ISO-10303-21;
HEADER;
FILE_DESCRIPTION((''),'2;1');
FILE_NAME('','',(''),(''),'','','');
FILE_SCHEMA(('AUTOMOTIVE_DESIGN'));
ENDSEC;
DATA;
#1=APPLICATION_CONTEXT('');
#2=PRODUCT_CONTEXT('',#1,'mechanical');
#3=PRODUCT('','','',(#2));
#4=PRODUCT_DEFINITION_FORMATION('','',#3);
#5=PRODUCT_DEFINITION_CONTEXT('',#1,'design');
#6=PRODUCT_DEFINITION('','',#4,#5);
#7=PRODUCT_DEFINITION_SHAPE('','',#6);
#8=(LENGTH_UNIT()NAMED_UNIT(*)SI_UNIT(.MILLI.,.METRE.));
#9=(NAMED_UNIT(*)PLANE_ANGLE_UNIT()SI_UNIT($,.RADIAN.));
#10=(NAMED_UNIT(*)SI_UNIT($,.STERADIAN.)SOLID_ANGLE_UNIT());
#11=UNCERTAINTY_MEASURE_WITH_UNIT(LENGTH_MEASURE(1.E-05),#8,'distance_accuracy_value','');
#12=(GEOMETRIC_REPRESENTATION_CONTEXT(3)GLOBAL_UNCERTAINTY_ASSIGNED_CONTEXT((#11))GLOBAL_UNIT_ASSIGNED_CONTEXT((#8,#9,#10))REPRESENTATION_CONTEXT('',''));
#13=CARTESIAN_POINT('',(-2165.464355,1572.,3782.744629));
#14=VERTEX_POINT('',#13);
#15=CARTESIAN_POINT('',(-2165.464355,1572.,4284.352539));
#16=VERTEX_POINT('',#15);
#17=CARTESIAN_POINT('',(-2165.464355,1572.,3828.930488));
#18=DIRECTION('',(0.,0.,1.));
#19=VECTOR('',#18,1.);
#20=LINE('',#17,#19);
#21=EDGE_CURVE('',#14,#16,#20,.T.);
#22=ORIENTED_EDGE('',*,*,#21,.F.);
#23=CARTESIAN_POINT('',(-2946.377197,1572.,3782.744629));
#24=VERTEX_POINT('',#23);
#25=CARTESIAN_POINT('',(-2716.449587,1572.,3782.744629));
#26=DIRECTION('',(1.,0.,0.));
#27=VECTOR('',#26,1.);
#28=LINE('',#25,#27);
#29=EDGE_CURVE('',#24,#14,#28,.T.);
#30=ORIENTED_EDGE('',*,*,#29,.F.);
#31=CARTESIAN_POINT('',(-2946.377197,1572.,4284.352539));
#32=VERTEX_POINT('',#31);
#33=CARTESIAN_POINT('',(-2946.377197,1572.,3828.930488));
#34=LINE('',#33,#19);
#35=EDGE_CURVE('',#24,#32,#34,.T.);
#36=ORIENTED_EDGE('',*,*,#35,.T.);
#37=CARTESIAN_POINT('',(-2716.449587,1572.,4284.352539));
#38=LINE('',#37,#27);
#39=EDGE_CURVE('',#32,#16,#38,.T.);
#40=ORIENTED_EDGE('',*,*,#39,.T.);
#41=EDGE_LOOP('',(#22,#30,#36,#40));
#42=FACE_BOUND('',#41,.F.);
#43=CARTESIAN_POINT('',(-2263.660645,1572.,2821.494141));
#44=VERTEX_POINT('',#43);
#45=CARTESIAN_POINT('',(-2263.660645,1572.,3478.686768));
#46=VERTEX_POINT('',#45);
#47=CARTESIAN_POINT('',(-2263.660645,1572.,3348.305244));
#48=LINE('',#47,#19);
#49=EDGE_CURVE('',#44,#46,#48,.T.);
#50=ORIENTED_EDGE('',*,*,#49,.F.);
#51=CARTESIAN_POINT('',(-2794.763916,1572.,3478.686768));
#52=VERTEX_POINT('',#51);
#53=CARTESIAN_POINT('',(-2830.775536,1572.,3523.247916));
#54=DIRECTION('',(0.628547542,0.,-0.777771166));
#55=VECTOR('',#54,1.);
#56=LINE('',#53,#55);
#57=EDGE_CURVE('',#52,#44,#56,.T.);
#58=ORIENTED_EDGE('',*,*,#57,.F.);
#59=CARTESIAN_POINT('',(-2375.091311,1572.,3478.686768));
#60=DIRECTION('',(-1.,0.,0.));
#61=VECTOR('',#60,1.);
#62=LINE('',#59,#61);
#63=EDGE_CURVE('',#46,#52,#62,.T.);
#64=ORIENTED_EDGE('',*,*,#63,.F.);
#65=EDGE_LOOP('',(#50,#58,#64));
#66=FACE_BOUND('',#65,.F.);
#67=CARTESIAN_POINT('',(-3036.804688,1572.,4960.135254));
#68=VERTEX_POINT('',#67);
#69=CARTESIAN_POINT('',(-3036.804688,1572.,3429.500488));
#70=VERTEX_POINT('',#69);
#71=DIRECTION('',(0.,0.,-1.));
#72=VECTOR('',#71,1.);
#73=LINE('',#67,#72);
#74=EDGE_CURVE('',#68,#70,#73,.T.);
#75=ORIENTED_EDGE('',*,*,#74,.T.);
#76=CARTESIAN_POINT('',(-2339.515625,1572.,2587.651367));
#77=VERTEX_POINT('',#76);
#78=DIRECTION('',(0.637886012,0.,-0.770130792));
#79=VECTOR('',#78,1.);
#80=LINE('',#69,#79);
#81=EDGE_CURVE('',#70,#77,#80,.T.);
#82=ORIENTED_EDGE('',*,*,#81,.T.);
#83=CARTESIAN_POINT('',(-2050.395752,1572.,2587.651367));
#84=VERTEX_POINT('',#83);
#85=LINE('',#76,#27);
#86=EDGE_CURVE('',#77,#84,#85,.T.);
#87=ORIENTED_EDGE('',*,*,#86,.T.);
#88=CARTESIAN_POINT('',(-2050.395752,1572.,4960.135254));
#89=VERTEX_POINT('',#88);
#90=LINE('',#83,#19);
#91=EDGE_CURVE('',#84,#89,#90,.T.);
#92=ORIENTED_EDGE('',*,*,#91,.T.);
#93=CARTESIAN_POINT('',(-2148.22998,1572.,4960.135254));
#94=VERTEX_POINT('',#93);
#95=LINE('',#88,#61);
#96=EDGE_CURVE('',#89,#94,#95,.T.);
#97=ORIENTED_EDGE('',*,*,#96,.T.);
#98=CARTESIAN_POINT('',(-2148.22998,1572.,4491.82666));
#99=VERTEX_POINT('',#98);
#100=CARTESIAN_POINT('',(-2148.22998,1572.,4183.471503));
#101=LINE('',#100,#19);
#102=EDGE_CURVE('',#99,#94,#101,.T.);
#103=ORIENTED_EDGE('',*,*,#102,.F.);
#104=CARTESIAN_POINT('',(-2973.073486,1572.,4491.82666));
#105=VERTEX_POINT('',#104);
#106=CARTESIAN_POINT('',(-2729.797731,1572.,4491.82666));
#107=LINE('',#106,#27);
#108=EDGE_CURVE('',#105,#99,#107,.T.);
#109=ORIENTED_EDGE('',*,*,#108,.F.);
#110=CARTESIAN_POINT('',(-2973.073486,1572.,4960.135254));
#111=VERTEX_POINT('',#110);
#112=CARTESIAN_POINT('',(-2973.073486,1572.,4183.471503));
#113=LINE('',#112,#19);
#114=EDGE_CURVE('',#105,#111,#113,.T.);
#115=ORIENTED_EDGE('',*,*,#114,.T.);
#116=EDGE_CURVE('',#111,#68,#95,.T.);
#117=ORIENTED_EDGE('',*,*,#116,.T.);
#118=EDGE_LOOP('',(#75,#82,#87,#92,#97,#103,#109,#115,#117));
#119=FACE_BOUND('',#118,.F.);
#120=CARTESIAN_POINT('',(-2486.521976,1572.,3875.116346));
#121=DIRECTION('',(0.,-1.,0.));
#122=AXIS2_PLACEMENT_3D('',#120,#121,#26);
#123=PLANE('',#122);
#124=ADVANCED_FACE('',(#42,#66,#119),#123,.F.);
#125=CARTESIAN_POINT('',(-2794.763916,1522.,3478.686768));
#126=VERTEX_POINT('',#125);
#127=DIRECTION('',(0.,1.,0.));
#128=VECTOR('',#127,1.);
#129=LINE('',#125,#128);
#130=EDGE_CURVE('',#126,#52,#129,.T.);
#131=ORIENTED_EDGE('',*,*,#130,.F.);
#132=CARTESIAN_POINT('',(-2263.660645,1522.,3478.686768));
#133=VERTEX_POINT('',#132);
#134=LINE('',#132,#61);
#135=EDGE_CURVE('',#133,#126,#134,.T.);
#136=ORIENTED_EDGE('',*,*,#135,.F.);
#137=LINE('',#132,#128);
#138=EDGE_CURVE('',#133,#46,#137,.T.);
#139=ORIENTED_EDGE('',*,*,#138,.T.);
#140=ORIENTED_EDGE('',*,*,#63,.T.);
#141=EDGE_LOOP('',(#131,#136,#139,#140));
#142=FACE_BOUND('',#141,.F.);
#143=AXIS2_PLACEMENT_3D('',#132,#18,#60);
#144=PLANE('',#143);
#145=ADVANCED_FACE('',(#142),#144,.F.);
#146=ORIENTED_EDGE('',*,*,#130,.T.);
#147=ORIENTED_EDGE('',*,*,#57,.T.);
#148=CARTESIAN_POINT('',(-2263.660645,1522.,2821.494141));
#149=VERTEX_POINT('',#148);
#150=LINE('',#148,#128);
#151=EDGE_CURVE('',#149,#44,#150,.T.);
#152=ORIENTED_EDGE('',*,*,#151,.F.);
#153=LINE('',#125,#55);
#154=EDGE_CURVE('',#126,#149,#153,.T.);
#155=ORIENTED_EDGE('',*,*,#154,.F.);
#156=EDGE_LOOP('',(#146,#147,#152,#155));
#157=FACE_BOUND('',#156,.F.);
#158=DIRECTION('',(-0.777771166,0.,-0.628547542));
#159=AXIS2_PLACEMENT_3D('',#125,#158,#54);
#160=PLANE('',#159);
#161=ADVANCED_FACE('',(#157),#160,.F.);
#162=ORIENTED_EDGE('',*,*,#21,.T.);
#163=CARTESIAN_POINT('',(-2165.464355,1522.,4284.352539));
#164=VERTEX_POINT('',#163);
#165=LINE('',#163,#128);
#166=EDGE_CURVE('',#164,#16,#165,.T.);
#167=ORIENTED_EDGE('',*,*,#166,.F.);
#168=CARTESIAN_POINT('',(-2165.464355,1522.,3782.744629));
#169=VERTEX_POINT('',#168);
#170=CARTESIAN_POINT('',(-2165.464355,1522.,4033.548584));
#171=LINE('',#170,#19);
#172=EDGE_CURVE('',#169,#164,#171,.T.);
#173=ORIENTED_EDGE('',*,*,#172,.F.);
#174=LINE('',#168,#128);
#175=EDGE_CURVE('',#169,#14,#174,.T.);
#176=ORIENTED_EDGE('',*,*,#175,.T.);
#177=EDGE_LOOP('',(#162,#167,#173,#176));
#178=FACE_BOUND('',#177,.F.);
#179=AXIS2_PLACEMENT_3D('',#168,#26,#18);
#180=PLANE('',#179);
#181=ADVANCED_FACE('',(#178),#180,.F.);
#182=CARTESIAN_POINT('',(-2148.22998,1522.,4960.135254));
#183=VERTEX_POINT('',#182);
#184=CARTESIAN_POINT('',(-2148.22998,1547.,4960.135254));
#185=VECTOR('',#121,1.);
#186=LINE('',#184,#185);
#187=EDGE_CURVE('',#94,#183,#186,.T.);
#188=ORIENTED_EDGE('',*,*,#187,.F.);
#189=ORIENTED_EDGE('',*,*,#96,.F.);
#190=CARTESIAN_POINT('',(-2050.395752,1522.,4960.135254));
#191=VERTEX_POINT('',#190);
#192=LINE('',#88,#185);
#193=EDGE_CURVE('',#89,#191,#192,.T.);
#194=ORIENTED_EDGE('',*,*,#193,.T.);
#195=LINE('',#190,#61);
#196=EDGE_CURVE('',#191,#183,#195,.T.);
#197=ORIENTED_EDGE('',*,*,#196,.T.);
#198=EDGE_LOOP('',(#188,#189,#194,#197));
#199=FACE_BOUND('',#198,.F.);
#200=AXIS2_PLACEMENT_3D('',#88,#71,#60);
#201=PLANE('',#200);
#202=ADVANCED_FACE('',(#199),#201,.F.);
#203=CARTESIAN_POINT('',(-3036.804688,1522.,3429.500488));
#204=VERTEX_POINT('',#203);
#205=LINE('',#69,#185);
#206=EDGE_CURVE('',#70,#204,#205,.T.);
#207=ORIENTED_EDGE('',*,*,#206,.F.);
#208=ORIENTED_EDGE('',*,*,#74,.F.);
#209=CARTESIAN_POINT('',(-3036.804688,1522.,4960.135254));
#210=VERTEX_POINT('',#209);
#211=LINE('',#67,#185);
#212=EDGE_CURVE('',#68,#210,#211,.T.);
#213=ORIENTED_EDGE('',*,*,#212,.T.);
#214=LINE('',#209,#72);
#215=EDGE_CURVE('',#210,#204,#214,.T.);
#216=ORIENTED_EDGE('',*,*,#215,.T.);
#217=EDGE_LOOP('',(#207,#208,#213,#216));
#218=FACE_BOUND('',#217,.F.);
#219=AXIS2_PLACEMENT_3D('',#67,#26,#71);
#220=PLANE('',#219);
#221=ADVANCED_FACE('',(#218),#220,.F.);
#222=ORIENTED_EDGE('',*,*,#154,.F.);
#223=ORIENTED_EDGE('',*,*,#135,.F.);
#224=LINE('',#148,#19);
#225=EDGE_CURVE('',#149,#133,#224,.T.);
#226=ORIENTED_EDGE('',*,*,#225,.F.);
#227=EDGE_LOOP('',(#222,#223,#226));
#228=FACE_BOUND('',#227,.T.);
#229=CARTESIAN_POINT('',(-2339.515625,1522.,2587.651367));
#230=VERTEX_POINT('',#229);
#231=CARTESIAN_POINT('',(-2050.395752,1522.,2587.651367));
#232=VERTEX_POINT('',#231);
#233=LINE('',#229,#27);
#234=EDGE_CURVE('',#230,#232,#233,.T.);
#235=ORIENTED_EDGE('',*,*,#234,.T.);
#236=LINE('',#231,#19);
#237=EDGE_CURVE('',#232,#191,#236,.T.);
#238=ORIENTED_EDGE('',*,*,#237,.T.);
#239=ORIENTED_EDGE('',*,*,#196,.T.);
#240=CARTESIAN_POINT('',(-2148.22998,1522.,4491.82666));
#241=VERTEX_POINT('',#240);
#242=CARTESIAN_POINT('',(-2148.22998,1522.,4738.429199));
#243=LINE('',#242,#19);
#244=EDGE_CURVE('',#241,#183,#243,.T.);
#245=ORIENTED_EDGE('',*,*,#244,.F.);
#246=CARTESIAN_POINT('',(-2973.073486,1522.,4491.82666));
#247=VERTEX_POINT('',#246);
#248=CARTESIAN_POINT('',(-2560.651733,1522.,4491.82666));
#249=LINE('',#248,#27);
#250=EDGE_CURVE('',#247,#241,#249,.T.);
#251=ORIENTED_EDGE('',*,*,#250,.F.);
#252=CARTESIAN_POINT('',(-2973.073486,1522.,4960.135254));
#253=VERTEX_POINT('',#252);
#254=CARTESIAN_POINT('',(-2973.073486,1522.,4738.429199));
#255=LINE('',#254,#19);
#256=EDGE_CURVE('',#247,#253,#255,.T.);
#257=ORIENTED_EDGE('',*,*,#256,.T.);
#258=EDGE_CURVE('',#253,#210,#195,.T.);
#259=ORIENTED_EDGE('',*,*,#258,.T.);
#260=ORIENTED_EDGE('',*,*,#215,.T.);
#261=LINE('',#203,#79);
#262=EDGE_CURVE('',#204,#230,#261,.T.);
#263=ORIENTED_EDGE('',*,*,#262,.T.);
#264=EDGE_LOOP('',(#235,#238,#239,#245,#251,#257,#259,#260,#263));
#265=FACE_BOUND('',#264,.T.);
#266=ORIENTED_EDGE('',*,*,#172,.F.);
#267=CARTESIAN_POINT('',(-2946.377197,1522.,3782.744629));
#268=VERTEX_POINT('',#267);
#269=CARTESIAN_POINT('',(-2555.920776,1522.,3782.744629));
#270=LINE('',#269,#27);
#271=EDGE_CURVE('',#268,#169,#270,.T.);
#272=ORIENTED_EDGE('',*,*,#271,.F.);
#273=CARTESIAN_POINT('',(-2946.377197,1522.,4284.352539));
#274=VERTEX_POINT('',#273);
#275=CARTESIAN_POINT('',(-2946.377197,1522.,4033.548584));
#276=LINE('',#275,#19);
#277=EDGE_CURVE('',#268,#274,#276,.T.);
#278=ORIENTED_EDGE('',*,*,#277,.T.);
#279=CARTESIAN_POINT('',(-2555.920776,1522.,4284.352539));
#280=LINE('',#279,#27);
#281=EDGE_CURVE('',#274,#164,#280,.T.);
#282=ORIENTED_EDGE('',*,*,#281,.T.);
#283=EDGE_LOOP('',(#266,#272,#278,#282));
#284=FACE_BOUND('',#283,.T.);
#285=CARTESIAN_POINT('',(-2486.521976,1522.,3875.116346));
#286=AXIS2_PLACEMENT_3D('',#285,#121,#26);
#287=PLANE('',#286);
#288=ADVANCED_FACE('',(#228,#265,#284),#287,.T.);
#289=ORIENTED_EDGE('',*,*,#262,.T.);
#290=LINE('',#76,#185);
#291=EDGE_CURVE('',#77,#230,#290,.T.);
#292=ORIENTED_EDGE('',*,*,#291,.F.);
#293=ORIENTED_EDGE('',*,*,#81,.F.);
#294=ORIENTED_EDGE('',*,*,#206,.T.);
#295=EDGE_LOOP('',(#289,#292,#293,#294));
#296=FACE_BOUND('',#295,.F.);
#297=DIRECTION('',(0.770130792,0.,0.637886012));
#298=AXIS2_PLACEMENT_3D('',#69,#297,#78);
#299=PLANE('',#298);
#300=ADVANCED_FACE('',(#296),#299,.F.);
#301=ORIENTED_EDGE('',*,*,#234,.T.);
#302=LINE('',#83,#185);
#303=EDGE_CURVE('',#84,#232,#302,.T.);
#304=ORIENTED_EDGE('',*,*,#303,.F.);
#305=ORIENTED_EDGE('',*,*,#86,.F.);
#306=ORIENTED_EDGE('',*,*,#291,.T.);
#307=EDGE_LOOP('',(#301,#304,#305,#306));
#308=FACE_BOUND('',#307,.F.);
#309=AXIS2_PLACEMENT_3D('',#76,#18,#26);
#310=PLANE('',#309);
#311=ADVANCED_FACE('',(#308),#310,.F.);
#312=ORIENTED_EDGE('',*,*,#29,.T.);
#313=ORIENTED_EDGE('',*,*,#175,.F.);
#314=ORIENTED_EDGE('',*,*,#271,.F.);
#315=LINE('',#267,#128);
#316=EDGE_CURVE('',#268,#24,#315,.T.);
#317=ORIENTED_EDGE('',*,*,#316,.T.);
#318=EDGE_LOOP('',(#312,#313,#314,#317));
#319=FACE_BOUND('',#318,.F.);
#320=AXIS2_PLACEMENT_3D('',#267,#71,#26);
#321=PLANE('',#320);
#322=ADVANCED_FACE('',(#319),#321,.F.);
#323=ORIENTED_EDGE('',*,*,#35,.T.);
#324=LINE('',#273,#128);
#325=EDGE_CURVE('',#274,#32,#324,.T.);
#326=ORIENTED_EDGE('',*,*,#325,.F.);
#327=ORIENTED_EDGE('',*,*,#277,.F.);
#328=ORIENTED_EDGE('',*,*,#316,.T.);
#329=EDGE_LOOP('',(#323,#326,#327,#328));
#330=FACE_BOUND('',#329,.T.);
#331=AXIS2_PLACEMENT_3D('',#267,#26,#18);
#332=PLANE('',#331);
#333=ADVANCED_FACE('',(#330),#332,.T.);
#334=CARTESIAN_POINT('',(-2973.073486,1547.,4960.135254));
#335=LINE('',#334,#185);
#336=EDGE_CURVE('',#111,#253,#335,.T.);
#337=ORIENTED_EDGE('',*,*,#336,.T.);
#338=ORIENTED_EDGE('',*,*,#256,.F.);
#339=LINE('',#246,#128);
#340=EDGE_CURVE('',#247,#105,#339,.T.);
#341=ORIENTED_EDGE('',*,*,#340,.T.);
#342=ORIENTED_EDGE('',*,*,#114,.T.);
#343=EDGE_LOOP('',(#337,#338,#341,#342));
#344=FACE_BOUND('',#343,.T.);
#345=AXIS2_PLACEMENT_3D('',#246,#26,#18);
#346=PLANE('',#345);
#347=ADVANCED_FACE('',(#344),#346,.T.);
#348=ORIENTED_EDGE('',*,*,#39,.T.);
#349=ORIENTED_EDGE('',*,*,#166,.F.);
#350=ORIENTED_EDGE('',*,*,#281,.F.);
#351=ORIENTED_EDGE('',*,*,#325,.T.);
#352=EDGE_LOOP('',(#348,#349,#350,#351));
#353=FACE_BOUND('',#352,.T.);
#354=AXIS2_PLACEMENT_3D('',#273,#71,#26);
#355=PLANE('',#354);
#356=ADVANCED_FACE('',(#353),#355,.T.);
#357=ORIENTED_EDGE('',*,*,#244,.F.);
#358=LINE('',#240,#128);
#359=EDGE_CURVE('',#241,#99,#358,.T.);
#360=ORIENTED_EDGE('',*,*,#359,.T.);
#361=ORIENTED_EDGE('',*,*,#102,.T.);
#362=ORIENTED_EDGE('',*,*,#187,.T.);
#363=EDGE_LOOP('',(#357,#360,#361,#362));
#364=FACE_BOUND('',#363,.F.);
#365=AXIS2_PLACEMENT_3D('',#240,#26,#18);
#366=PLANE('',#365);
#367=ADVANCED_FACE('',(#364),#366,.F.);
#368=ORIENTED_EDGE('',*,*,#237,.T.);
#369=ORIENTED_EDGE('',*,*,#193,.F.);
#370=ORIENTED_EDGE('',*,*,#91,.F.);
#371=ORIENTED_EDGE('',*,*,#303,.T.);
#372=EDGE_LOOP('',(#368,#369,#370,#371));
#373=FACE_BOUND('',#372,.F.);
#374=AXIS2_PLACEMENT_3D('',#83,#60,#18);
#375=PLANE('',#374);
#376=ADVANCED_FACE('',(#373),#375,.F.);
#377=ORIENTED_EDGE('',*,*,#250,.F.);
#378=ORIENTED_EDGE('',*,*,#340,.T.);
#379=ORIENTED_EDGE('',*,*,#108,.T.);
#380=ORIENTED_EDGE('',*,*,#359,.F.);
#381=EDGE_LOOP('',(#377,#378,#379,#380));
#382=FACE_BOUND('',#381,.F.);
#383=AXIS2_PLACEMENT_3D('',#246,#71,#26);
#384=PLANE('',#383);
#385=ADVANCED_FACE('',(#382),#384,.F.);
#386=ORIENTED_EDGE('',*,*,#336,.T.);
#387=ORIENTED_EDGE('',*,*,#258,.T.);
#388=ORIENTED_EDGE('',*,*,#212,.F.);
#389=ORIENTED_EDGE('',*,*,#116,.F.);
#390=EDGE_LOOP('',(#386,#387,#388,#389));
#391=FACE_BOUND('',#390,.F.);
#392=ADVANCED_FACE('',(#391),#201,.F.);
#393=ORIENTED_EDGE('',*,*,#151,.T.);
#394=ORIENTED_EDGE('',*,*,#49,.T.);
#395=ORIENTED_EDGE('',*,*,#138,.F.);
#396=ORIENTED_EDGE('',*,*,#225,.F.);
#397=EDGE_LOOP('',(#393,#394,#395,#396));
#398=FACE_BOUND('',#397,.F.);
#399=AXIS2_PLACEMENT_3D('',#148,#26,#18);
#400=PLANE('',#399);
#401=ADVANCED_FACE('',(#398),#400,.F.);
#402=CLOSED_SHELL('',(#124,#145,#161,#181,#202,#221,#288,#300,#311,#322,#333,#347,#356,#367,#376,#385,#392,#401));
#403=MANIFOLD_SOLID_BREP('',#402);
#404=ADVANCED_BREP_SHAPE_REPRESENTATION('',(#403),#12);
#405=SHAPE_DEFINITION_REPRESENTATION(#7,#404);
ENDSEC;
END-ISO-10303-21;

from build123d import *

# Parameters (mm, degrees)
PAD018_DEPTH    = 50
POCKET003_DEPTH = 59
SKETCH022_W     = 780.912842
SKETCH022_H     = 501.60791
POCKET004_DEPTH = 60
SKETCH021_W     = 824.843506
SKETCH021_H     = 493.205078
POCKET005_DEPTH = 60


with BuildPart() as part:
    # Sketch023 → Pad018 (new body)
    with BuildSketch(Plane.XZ):
        Polygon((-3036.804688, 4960.135254), (-3036.804688, 3429.500488), (-2339.515625, 2587.651367), (-2050.395752, 2587.651367), (-2050.395752, 4960.135254), align=None)
    extrude(amount=PAD018_DEPTH)

    # Sketch024 (on Face7 of Pad018) → Pocket003 (cut)
    with BuildSketch(Plane.XZ.offset(50)):
        Polygon((-2794.763916, 3478.686768), (-2263.660645, 2821.494141), (-2263.660645, 3478.686768), align=None)
    extrude(amount=-POCKET003_DEPTH, mode=Mode.SUBTRACT)

    # Sketch022 (on Face5 of Pocket003) → Pocket004 (cut)
    with BuildSketch(Plane.XZ.offset(50)):
        with Locations((-2555.920776, 4033.548584)):
            Rectangle(SKETCH022_W, SKETCH022_H)
    extrude(amount=-POCKET004_DEPTH, mode=Mode.SUBTRACT)

    # Sketch021 (on Face5 of Pocket004) → Pocket005 (cut)
    with BuildSketch(Plane.XZ.offset(50)):
        with Locations((-2560.651733, 4738.429199)):
            Rectangle(SKETCH021_W, SKETCH021_H)
    extrude(amount=-POCKET005_DEPTH, mode=Mode.SUBTRACT)


with BuildPart() as part_1:
    # Body016 placement: moved
    add(part.part.moved(Location((0, 1572, 0))))


solid = part_1.part
